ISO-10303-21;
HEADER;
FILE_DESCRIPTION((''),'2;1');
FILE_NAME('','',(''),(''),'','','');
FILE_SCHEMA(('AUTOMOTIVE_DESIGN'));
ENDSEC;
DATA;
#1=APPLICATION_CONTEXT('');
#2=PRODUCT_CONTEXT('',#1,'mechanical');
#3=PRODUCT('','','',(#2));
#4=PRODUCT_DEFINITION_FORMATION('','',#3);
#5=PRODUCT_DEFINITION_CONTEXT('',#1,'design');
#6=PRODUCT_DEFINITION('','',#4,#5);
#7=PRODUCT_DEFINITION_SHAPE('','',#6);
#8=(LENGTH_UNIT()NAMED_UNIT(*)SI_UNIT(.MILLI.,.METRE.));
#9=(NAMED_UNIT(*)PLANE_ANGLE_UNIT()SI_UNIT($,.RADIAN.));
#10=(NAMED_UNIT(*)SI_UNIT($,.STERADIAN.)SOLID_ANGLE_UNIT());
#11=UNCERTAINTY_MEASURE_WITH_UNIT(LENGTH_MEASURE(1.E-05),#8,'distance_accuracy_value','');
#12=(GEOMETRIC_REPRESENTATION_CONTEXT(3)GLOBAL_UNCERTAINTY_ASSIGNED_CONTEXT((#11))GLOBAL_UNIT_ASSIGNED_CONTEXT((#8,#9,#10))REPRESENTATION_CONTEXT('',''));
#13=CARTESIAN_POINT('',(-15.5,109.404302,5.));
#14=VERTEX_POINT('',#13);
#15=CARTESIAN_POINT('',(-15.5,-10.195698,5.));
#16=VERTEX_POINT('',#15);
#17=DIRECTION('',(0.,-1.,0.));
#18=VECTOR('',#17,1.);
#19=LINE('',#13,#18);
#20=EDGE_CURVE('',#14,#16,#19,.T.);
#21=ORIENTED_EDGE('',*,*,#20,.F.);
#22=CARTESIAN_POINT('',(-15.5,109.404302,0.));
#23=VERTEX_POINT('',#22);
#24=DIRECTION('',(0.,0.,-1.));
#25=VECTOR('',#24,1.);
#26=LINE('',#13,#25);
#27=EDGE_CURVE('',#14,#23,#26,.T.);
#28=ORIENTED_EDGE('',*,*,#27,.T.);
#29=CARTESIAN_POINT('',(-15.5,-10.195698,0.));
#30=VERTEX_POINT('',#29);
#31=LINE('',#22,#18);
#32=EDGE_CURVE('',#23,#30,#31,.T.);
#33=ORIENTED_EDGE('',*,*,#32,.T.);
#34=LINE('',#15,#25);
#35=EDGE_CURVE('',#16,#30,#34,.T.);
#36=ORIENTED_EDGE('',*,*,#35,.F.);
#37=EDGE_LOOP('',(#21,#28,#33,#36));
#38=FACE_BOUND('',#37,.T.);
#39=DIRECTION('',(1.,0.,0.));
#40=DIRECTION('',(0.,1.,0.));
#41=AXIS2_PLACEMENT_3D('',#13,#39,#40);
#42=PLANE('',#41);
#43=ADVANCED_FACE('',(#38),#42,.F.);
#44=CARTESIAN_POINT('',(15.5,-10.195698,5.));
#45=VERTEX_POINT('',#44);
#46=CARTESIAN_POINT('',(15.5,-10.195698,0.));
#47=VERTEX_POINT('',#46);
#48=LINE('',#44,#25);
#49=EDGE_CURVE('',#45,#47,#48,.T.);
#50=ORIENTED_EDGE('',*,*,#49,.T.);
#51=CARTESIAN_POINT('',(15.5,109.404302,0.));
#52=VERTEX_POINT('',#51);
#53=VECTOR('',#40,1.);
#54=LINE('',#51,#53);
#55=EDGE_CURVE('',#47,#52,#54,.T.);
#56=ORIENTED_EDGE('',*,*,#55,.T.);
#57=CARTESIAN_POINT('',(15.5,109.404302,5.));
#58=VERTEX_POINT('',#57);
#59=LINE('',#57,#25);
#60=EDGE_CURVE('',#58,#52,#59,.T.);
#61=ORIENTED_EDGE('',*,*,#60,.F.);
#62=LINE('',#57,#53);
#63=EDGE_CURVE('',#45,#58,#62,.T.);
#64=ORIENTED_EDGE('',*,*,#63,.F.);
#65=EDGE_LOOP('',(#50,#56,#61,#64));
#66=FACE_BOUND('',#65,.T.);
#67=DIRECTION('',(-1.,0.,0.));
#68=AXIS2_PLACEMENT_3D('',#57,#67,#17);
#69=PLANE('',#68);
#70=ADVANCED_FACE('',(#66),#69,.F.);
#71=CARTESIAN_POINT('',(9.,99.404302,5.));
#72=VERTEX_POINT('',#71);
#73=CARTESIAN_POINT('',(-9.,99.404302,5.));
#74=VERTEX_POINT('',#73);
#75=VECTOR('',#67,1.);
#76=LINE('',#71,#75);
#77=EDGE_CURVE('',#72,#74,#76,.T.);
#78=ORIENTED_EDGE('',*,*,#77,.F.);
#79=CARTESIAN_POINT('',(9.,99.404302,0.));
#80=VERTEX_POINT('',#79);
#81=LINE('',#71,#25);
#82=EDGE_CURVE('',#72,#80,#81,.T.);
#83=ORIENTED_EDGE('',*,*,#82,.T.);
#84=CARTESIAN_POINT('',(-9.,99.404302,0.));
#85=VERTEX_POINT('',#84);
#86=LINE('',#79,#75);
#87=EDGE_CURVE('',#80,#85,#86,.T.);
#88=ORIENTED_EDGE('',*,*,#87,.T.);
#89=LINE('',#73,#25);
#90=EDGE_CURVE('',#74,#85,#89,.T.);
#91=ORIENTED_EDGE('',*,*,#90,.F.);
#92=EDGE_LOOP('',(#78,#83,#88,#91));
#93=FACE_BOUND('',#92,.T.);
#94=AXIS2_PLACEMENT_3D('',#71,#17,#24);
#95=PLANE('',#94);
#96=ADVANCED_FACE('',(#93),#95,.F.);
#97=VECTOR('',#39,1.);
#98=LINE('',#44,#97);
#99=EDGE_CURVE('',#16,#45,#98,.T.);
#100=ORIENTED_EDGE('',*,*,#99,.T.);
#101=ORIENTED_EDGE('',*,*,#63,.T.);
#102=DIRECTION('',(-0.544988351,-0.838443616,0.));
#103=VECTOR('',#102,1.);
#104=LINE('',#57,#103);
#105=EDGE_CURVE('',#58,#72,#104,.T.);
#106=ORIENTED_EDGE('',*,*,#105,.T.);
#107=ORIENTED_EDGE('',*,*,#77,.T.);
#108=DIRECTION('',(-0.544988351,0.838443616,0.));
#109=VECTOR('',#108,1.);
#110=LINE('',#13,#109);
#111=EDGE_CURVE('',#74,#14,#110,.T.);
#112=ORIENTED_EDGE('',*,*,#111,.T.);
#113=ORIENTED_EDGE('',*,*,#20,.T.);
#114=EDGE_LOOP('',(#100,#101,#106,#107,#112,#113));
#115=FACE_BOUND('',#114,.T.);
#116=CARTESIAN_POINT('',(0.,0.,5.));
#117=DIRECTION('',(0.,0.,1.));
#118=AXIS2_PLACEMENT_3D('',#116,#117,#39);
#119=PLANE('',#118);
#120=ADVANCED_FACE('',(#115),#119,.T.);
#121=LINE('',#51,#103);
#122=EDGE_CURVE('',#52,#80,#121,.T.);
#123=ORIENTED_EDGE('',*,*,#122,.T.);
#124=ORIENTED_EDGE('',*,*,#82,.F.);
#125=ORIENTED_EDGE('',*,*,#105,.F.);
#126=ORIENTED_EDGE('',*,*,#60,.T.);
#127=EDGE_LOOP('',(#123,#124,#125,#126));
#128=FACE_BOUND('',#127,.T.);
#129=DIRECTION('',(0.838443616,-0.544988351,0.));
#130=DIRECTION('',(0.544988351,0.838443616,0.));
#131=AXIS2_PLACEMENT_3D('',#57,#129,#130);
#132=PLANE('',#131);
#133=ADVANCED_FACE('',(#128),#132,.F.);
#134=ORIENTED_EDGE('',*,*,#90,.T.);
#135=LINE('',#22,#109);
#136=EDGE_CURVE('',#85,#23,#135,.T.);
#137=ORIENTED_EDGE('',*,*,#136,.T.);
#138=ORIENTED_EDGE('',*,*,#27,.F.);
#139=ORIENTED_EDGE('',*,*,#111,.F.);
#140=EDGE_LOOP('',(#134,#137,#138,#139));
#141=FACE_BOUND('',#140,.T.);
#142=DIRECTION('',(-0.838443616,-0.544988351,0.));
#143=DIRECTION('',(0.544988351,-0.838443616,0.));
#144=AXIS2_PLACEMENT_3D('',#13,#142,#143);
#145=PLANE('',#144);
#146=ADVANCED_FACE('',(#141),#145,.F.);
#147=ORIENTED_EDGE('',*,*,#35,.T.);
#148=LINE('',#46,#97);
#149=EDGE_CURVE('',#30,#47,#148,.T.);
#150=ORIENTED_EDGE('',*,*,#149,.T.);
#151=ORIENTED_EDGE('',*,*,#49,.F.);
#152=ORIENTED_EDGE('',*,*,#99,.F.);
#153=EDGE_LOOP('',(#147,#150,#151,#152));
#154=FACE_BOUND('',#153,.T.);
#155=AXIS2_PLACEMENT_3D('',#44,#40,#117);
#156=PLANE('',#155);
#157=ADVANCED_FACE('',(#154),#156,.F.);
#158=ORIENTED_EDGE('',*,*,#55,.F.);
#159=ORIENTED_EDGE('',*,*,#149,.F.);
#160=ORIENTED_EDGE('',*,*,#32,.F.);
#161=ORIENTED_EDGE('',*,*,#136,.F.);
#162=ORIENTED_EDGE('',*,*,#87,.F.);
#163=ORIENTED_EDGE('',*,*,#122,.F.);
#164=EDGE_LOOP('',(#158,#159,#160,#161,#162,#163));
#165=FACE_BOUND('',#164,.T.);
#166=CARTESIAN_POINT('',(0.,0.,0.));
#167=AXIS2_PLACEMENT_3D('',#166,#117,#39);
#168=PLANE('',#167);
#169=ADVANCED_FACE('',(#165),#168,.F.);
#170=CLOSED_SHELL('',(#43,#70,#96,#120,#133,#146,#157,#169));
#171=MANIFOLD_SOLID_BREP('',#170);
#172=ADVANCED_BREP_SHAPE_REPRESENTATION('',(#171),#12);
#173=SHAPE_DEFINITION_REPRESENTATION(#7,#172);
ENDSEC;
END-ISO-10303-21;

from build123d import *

# Parameters (mm, degrees)
BOSS_EXTRUDE1_DEPTH = 5


with BuildPart() as part:
    # Sketch1 → Boss-Extrude1 (new body)
    with BuildSketch(Plane.XY):
        Polygon((15.5, 109.404302294), (15.5, -10.195697706), (-15.5, -10.195697706), (-15.5, 109.404302294), (-9, 99.404302294), (9, 99.404302294), align=None)
    extrude(amount=BOSS_EXTRUDE1_DEPTH)


solid = part.part
